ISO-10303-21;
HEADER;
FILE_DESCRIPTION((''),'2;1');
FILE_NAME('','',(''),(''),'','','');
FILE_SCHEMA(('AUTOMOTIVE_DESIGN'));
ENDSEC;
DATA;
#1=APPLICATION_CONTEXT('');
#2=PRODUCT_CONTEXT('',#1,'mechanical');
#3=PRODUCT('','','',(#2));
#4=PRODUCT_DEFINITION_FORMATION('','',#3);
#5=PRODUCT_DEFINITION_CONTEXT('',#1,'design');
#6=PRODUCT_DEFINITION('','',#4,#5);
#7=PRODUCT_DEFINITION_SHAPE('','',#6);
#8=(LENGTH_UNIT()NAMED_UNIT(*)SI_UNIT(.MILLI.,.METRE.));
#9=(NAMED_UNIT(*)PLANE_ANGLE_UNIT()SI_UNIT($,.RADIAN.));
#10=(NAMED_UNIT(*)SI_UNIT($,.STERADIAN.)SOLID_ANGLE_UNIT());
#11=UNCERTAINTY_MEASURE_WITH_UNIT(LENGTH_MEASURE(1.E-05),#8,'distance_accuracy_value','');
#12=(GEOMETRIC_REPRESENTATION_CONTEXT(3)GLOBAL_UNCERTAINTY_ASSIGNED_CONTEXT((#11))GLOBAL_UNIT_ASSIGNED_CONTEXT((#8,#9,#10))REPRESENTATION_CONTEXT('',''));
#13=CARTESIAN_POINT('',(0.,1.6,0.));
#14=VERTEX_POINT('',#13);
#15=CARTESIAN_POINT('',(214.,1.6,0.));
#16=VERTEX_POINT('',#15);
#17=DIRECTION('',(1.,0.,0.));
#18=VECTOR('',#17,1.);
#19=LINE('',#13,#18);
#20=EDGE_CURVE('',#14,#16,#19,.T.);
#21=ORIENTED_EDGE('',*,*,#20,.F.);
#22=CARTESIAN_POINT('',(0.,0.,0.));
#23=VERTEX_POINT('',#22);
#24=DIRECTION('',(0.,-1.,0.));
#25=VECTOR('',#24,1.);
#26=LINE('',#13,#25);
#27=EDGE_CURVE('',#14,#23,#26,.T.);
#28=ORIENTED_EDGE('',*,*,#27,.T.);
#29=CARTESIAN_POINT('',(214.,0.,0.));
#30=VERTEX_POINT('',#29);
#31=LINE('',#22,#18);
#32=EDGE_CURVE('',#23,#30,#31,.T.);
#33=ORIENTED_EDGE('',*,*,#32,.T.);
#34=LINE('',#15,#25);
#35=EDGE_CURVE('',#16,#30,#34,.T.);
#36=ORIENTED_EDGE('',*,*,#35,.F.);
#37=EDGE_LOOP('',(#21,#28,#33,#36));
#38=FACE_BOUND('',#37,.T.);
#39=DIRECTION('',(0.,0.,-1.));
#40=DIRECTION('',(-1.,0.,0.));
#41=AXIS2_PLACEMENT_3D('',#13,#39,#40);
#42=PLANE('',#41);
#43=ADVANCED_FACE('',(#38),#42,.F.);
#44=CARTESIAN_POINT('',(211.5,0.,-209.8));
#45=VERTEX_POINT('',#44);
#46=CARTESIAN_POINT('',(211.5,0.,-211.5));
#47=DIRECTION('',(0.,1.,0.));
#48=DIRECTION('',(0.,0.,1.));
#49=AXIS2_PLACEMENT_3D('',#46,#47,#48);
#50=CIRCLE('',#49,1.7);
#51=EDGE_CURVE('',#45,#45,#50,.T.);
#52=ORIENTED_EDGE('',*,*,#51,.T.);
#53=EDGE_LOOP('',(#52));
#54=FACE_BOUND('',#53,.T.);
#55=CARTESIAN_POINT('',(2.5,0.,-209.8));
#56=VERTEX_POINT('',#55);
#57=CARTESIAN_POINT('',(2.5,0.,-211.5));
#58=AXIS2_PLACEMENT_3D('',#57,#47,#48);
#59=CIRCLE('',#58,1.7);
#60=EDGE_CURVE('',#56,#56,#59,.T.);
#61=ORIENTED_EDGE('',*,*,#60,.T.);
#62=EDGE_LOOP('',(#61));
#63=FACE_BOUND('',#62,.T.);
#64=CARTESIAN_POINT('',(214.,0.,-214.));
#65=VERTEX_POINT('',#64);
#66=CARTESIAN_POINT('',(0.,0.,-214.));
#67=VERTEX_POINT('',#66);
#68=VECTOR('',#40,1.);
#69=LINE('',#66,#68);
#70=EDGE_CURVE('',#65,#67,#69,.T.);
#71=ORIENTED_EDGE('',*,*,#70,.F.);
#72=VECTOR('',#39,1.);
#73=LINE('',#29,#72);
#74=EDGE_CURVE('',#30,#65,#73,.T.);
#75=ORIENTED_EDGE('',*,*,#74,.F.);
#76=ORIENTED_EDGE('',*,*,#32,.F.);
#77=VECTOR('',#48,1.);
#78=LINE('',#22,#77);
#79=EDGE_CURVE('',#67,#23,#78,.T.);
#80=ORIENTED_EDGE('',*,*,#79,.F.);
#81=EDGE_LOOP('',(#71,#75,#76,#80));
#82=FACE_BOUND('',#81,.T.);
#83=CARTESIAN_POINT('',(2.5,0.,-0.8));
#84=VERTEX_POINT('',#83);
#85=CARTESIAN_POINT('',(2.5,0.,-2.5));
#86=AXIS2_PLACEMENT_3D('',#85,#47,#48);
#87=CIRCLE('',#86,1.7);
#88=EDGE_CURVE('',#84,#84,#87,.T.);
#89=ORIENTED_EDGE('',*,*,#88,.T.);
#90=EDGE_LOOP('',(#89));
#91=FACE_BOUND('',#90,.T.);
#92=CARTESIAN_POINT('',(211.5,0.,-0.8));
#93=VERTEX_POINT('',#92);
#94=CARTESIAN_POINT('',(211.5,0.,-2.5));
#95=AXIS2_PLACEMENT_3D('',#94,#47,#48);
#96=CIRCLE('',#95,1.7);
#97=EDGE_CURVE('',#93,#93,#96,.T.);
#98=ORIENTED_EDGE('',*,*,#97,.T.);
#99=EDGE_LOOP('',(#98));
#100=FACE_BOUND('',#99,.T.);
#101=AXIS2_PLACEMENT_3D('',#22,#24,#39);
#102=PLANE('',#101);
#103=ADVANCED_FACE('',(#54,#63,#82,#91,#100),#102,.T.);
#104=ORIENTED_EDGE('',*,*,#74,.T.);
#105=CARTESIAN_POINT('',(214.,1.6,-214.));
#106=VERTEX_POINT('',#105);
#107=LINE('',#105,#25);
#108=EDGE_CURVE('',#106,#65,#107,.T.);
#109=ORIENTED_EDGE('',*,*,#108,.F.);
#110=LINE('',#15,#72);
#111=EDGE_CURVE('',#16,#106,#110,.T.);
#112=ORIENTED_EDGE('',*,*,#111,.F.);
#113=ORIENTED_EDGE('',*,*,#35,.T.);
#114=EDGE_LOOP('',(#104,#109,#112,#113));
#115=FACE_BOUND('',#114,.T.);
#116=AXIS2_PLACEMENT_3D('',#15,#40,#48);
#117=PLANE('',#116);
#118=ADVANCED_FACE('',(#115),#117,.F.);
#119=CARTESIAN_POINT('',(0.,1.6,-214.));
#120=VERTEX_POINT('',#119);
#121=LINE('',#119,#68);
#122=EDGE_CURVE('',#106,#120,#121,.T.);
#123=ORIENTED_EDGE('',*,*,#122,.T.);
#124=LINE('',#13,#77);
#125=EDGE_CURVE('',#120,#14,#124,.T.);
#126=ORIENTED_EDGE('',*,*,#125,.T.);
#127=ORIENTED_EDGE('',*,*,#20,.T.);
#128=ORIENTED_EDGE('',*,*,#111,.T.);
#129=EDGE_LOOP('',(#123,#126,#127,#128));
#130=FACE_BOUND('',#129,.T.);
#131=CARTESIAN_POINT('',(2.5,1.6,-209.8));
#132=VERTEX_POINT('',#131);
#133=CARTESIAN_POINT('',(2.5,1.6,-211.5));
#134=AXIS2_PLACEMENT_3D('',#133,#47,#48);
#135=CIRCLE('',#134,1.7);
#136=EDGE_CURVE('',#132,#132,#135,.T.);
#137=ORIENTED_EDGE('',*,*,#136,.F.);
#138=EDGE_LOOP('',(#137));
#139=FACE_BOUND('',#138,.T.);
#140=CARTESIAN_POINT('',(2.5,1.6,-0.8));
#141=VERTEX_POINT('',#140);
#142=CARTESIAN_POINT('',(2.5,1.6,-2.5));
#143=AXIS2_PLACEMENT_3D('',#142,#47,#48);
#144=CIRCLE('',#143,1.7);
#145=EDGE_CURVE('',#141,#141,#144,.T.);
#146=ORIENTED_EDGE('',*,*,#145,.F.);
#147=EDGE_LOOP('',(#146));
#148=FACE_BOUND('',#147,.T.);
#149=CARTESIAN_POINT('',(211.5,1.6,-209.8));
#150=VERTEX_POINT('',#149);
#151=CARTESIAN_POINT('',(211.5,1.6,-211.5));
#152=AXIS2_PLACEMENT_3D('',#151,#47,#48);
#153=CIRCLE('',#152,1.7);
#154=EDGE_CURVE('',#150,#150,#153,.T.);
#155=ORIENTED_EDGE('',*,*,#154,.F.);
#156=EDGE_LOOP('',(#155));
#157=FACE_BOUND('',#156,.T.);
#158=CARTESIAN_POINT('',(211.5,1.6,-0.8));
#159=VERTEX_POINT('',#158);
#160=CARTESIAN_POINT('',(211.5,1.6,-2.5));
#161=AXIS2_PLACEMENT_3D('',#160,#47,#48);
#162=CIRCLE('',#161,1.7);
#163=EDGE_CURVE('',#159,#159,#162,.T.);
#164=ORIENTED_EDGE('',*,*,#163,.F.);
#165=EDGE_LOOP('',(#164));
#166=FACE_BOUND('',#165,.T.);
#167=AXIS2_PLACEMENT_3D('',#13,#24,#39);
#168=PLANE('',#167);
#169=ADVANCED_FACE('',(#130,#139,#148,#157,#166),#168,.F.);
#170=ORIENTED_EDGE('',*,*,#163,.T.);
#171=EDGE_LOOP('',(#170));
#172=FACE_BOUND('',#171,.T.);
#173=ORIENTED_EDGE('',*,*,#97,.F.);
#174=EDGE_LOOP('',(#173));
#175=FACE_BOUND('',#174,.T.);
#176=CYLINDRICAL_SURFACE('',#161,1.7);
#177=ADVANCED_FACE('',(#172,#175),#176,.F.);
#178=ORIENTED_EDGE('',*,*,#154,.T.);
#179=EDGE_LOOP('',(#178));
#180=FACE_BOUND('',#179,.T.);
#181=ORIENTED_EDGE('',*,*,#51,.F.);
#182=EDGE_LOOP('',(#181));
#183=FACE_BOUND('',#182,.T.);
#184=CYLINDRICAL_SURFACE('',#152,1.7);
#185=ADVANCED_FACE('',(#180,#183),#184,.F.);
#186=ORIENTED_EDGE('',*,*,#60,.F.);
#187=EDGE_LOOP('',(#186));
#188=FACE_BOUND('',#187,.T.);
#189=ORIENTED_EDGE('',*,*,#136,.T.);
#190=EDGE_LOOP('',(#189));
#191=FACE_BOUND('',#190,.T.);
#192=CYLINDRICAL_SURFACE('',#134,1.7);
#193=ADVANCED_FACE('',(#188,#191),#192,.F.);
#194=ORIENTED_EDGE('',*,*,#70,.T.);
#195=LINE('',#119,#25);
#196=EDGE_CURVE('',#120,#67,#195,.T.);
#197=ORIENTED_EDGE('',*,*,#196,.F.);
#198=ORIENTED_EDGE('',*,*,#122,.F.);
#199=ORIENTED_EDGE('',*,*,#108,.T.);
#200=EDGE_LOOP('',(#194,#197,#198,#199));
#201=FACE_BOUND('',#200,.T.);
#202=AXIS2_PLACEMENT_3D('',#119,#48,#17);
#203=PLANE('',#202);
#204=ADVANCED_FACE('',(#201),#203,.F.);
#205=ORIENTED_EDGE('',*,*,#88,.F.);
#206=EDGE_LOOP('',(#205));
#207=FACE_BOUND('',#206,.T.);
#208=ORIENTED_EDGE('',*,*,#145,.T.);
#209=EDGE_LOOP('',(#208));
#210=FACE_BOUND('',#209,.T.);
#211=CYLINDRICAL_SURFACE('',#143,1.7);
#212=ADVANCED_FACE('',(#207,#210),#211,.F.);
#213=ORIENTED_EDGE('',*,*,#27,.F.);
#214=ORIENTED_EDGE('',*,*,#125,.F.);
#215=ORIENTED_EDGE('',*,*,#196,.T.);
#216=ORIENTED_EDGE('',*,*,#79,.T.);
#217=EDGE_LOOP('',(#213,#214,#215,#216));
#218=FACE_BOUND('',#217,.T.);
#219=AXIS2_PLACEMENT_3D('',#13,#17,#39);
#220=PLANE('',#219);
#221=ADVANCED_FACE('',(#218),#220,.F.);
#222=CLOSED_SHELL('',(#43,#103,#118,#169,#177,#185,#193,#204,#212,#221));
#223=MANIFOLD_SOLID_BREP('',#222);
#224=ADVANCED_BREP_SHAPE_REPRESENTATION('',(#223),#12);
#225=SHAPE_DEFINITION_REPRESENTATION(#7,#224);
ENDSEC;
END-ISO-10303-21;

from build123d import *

# Parameters (mm, degrees)
SKETCH1_W                  = 214
SKETCH1_H                  = 214
BOSS_EXTRUDE1_DEPTH        = 1.6
F_3_4_3_4_DIAMETER_HOLE1_D = 3.4


with BuildPart() as part:
    # Sketch1 → Boss-Extrude1 (new body)
    with BuildSketch(Plane(origin=(0, 0, 0), x_dir=(1, 0, 0), z_dir=(0, 1, 0))):
        with Locations((107, 107)):
            Rectangle(SKETCH1_W, SKETCH1_H)
    extrude(amount=BOSS_EXTRUDE1_DEPTH)

    # Ø3.4 (3.4) Diameter Hole1 (through all)
    with Locations(Plane(origin=(0, 1.6, 0), x_dir=(1, 0, 0), z_dir=(0, 1, 0))):
        with Locations((2.5, 211.5), (211.5, 211.5), (211.5, 2.5), (2.5, 2.5)):
            Hole(F_3_4_3_4_DIAMETER_HOLE1_D / 2)


solid = part.part
